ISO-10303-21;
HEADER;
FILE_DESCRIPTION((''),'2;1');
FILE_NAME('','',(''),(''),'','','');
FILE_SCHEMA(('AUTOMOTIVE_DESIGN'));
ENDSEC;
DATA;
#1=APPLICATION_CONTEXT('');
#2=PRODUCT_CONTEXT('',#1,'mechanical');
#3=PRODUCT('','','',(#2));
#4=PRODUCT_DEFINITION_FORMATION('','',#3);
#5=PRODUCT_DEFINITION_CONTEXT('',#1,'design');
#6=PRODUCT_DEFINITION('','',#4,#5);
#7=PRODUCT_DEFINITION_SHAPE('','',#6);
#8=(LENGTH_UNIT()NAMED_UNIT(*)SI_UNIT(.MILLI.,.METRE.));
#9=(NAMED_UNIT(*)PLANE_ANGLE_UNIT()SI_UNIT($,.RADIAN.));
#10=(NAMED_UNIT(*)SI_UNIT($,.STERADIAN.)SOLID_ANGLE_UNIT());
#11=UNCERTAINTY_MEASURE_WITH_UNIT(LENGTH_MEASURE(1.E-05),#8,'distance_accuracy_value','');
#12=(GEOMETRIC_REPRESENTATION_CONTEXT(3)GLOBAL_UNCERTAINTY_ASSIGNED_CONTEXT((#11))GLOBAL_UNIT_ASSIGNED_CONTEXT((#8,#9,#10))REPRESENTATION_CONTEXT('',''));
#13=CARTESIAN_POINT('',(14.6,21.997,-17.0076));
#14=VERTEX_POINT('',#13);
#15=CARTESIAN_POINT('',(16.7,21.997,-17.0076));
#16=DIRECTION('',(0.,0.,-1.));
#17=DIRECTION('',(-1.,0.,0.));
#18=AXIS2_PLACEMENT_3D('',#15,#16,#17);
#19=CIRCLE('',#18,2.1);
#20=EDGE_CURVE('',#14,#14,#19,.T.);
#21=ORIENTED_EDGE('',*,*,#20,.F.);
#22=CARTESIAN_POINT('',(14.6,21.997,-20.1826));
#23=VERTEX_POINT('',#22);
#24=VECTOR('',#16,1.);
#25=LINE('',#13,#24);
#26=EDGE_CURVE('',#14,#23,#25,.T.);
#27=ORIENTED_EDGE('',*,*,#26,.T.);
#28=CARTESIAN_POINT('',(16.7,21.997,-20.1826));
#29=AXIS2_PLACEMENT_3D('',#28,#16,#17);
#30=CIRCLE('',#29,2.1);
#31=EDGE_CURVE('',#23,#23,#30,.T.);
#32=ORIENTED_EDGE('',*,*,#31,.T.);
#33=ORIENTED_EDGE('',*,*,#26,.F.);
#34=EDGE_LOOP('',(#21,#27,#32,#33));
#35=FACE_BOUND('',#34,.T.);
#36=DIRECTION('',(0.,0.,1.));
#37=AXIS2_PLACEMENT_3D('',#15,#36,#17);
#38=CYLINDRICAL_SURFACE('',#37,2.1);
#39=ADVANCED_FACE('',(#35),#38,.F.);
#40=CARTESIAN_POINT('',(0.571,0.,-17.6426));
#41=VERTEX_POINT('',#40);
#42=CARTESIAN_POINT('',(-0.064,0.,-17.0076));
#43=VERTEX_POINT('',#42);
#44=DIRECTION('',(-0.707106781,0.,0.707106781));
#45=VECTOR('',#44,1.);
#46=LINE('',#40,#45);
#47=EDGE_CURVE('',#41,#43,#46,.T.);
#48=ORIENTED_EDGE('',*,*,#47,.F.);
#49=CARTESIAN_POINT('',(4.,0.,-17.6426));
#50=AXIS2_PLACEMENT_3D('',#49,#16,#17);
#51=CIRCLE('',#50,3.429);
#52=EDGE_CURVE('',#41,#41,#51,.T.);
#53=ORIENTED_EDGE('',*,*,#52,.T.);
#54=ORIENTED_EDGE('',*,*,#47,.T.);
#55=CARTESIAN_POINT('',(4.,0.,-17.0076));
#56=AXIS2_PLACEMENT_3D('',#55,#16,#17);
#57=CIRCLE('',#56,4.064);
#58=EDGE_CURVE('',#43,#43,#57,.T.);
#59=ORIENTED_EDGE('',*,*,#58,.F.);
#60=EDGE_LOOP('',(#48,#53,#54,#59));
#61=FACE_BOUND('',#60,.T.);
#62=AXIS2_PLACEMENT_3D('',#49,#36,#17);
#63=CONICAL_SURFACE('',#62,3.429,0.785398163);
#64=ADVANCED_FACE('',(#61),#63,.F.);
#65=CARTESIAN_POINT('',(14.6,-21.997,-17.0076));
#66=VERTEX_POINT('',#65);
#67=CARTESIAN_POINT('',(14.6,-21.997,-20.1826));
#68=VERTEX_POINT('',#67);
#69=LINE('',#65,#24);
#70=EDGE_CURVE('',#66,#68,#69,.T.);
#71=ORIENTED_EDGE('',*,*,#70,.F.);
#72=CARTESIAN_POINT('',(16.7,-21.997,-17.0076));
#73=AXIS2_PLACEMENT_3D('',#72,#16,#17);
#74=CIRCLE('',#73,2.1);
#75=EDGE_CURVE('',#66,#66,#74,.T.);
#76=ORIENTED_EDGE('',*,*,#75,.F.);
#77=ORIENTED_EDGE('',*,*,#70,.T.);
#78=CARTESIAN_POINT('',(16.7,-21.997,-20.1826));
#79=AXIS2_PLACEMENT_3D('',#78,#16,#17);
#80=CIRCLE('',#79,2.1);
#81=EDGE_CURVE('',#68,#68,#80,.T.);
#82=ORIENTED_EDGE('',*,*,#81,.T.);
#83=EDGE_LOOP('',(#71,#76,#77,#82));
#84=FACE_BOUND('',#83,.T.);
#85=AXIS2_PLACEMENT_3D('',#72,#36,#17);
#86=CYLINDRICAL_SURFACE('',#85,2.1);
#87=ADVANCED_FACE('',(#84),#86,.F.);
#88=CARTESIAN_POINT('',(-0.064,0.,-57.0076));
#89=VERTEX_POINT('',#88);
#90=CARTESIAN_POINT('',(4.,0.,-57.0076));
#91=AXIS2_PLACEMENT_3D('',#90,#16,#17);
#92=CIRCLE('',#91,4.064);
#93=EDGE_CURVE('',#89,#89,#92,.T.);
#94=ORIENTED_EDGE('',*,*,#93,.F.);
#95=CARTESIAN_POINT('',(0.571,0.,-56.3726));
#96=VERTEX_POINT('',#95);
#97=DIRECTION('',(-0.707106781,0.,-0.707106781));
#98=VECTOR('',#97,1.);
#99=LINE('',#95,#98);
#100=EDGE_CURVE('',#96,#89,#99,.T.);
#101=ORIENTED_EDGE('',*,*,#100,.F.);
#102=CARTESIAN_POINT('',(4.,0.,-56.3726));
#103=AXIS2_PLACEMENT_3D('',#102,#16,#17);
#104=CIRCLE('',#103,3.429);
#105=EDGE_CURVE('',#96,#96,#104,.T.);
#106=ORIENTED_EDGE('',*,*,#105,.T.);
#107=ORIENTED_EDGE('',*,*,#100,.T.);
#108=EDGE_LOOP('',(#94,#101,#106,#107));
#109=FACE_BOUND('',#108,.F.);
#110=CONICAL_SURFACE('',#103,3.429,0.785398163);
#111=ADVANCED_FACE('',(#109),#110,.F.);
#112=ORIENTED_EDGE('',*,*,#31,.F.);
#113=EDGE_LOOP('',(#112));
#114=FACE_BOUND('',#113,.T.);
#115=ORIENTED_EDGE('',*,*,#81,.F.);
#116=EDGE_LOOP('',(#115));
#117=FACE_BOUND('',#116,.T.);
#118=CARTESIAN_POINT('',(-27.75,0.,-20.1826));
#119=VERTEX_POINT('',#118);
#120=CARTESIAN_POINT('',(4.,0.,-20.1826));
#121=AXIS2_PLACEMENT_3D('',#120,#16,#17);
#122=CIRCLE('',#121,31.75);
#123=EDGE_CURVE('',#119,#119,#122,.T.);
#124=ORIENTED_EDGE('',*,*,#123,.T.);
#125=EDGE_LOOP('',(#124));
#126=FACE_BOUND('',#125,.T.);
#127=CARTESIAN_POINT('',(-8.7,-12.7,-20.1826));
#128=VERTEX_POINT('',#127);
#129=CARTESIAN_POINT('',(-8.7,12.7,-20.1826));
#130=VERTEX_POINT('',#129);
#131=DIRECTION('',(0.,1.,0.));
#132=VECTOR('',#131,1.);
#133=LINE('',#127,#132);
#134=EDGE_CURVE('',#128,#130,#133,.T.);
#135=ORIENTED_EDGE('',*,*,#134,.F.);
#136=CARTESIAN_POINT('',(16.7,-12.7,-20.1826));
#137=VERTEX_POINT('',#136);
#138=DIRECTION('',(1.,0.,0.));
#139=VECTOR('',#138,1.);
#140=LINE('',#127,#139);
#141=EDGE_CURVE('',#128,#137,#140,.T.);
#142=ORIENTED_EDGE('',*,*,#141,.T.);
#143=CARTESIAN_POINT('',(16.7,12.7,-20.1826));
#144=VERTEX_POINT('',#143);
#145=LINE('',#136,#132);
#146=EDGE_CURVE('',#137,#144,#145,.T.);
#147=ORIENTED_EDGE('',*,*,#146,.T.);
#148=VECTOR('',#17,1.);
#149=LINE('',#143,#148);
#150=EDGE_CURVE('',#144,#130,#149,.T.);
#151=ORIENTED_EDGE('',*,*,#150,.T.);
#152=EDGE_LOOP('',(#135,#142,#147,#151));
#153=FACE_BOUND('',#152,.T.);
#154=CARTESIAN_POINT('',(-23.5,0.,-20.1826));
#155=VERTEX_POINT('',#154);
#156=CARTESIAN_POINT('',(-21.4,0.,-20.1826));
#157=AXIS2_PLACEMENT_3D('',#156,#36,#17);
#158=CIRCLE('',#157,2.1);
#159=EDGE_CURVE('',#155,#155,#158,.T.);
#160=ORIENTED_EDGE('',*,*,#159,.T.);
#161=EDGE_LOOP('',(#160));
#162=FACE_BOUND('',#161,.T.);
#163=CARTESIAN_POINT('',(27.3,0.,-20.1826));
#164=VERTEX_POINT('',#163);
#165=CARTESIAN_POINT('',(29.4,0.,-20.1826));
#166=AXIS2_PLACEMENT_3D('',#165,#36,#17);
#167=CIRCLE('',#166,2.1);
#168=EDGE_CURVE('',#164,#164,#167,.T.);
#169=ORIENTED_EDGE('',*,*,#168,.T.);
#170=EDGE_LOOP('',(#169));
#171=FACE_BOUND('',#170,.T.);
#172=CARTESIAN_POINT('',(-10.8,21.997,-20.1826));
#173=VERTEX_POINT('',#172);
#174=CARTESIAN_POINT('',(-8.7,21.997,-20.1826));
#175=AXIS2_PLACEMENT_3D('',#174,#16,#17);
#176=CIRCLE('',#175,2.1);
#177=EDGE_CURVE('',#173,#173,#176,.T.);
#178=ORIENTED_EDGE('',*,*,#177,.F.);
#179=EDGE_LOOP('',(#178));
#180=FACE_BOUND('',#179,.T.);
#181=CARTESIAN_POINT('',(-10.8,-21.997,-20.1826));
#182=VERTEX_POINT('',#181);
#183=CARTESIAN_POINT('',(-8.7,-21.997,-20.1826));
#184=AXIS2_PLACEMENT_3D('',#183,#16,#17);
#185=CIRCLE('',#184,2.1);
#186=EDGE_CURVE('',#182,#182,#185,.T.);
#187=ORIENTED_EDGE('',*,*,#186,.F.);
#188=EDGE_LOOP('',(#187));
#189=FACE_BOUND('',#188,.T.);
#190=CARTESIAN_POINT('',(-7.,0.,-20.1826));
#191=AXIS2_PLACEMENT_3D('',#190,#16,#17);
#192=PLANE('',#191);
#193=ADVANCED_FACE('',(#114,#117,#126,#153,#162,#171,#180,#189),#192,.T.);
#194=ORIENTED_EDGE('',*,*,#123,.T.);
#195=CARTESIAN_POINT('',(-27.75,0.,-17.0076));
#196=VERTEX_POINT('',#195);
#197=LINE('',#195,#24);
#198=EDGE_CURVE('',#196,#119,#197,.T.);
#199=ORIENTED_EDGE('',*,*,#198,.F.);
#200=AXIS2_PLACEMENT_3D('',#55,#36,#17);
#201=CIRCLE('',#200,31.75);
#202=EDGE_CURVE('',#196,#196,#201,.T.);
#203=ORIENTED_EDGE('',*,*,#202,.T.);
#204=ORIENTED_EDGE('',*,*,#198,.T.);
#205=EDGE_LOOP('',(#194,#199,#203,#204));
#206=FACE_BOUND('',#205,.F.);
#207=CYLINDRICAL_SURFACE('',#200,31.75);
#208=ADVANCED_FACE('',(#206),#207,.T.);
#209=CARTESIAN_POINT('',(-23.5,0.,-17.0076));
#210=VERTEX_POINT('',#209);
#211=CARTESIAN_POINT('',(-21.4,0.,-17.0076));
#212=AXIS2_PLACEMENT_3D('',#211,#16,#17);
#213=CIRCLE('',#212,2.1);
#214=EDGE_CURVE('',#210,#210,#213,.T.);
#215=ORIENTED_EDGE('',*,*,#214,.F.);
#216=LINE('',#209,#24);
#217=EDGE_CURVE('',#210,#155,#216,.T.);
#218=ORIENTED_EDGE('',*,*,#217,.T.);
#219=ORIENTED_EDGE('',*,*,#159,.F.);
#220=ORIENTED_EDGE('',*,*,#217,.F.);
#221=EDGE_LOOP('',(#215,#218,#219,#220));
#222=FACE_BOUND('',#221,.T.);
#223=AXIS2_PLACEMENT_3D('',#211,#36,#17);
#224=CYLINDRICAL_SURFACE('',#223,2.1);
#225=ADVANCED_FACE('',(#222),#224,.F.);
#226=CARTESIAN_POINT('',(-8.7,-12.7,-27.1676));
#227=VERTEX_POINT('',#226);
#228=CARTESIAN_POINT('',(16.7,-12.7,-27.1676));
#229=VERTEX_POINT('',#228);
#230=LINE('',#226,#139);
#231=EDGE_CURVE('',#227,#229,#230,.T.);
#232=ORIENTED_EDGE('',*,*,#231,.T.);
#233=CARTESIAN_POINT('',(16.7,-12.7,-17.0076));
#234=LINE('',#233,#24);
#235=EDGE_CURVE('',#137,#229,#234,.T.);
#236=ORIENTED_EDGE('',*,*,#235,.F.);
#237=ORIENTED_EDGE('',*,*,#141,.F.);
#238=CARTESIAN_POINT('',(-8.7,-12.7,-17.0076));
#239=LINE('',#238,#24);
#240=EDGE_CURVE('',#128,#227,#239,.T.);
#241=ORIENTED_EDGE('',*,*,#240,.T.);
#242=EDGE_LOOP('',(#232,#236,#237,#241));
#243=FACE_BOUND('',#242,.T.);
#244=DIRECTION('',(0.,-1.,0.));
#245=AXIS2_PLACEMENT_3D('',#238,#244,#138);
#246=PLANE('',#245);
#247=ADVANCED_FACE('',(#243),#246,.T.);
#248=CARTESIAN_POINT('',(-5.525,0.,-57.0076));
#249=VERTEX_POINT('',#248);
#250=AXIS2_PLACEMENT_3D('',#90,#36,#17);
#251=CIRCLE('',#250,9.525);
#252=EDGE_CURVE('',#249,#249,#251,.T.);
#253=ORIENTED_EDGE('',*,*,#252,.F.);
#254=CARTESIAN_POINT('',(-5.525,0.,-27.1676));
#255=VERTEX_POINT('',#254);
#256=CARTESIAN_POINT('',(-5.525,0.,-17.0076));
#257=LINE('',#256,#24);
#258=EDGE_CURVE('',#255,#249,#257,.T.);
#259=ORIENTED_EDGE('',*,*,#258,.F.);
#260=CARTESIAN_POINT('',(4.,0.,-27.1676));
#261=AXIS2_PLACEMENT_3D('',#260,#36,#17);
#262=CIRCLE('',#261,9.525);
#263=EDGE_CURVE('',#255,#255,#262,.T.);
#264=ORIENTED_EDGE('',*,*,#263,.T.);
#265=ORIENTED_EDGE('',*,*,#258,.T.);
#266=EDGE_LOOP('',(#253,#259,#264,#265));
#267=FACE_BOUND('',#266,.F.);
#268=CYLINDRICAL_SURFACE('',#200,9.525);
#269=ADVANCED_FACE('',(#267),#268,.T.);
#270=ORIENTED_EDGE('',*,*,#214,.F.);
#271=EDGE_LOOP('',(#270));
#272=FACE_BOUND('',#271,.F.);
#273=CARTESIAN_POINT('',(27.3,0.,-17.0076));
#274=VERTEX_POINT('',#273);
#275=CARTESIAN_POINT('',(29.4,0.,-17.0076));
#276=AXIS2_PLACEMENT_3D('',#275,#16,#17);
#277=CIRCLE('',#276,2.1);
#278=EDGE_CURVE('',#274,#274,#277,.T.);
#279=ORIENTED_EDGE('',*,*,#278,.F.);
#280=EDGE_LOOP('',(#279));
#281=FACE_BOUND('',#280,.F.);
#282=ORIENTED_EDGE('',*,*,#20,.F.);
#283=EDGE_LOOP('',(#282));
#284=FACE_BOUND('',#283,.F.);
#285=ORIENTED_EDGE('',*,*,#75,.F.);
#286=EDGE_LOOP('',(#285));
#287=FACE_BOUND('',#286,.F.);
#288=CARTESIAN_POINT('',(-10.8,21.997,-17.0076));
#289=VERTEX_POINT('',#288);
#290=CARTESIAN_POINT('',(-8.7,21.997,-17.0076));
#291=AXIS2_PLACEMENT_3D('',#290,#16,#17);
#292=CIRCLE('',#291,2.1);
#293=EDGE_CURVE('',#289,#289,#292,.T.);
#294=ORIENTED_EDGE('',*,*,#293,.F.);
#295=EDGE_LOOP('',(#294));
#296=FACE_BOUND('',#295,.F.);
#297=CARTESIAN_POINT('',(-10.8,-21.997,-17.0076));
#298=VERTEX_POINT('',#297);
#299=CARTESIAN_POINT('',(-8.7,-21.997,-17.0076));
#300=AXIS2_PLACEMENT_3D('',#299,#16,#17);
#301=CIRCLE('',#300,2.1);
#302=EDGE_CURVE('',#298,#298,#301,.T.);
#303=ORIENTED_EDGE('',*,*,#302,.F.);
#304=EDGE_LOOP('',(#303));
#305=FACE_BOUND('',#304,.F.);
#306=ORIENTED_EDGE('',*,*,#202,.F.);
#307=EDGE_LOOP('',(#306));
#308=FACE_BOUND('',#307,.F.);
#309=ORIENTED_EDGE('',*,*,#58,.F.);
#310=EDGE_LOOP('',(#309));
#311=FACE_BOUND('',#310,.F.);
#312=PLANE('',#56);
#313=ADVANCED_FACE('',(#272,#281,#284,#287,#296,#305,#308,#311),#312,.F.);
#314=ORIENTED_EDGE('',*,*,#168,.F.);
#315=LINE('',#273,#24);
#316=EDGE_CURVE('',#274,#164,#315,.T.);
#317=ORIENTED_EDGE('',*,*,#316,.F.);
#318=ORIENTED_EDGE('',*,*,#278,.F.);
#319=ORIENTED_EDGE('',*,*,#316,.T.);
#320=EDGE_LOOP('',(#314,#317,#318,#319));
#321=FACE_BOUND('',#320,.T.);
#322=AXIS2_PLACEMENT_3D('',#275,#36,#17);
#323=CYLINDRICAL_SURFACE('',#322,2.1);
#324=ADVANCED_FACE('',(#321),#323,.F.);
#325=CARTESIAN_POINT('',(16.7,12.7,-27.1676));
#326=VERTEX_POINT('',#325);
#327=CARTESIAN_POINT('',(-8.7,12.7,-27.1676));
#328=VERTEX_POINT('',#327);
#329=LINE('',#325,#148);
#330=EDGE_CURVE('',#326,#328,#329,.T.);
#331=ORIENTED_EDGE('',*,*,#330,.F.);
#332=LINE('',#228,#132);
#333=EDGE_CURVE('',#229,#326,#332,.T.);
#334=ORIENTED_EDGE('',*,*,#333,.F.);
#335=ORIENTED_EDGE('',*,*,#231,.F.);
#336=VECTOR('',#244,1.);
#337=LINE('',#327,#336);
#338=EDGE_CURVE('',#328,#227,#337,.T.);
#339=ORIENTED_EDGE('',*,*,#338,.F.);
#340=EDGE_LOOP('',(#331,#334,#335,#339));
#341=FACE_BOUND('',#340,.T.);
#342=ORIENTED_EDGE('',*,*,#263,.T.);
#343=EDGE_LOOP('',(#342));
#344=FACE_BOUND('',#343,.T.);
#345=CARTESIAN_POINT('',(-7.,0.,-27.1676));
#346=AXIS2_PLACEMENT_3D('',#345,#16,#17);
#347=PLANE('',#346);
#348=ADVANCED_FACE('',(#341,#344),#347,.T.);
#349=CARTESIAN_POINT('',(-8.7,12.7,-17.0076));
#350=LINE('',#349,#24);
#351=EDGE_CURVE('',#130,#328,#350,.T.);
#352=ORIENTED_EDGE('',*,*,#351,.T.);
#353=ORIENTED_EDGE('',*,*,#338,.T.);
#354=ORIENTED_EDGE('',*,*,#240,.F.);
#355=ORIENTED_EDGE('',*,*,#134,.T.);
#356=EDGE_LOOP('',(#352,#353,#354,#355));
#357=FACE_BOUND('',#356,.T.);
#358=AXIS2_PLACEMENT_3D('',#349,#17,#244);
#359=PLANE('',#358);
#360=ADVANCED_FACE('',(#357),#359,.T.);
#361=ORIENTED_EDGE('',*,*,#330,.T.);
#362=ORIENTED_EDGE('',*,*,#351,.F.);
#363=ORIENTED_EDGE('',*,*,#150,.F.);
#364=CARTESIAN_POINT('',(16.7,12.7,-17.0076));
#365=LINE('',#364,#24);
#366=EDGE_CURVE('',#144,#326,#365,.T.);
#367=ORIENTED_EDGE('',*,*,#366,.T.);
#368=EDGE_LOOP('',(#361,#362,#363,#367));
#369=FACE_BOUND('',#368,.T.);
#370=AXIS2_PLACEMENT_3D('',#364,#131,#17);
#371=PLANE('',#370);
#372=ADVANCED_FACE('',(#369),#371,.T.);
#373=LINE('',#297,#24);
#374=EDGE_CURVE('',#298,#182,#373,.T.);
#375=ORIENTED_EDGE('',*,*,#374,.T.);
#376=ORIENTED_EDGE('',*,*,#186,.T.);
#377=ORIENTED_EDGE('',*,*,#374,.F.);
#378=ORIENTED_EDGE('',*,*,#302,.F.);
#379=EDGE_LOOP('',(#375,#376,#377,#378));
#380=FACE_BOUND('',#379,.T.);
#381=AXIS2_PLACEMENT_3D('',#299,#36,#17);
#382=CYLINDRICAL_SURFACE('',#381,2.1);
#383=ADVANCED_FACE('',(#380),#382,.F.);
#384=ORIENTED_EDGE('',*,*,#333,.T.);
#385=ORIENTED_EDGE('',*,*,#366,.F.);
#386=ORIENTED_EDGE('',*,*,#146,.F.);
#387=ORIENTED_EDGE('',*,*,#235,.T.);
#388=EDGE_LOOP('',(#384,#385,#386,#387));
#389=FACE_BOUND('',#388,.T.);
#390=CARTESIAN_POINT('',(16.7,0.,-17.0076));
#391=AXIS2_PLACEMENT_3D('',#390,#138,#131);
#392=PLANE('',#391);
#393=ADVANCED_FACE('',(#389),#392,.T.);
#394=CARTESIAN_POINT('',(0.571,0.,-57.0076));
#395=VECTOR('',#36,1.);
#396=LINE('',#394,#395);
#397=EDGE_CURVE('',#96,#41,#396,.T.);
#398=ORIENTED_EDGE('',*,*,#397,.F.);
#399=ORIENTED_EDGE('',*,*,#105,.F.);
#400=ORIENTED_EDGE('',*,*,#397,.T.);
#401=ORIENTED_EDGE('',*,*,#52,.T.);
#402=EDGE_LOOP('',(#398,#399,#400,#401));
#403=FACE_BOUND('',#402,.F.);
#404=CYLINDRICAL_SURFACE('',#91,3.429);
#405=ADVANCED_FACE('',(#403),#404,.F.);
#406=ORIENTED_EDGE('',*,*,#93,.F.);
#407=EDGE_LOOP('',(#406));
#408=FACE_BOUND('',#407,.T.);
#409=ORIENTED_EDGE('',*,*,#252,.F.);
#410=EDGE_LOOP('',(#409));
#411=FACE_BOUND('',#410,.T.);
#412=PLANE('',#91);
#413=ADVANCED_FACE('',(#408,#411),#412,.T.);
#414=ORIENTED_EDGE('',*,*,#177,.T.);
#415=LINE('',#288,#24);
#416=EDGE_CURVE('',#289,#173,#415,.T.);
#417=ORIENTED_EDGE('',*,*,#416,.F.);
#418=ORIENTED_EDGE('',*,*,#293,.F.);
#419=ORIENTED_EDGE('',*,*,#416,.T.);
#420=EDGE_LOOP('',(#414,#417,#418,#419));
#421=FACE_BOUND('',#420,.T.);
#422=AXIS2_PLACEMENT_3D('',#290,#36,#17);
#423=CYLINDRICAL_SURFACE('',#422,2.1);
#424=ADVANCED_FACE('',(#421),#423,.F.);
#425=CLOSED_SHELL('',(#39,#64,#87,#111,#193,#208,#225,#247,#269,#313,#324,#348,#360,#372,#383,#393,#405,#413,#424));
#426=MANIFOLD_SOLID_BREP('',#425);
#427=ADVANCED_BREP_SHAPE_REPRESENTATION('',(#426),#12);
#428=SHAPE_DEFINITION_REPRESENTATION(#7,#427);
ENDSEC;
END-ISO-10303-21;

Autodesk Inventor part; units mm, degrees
ref_plane "YZ Plane" through (0, 0, 0) normal (1, 0, 0) x (0, 1, 0)
ref_plane "XZ Plane" through (0, 0, 0) normal (0, 1, 0) x (-1, 0, 0)
sketch "Sketch1" plane through (0, 0, 0) normal (0, 0, 1) x (1, 0, 0)
  circle A0 centre (4, 0) radius 4 projected
  circle A1 centre (4, 0) radius 3.175 projected
  circle A2 centre (4, 0) radius 3.9492
  circle A3 centre (4, 0) radius 3.2512
  point P0 (0, 0)
  dimension "d0" = 0.0508
  dimension "d1" = 0.0762
extrude "Extrusion1" add sketch "Sketch1" along normal blind 15 and the other way blind 129 contours A2
ref_plane "Work Plane1" through (15, 0, -97.0076) normal (0, 0, 1) x (1, 0, 0)
sketch "Sketch2" plane through (-7, 0, -17.0076) normal (0, 0, -1) x (-1, 0, 0)
  circle A0 centre (-11, 0) radius 3.9492 projected
  line L0 (-11, 0) -> (126.5, 0)
  line L1 (-11, 0) -> (-561, 0)
  circle A1 centre (-561, 0) radius 12.7
  circle A2 centre (-11, 0) radius 31.75
  line L2 (35.9, 0) -> (-573.7, 0)
  circle A3 centre (-36.4, 0) radius 2.1
  circle A4 centre (-23.7, -21.997) radius 2.1
  circle A5 centre (1.7, -21.997) radius 2.1
  circle A6 centre (14.4, 0) radius 2.1
  circle A7 centre (1.7, 21.997) radius 2.1
  circle A8 centre (-23.7, 21.997) radius 2.1
  line L3 (1.7, -12.7) -> (-23.7, -12.7)
  line L4 (-23.7, -12.7) -> (-23.7, 12.7)
  line L5 (-23.7, 12.7) -> (1.7, 12.7)
  line L6 (1.7, 12.7) -> (1.7, -12.7)
  line L7 (1.7, -12.7) -> (-23.7, 12.7) construction
  line L8 (-23.7, -12.7) -> (1.7, 12.7) construction
  circle A9 centre (-11, 0) radius 9.525
  point P0 (-7, 0)
  dimension "d8" = 25.4
  dimension "d6" = 137.5
  dimension "d7" = 550
  dimension "d9" = 63.5
  dimension "d10" = 609.6
  dimension "d11" = 4.2
  dimension "d12" = 25.4
  dimension "d15" = 360
  dimension "d17" = 25.4
  dimension "d18" = 25.4
  dimension "d19" = 19.05
extrude "Extrusion2" add sketch "Sketch2" along normal blind 40 contours L0 L1 A0 | L0 A9 L1 A0 | A0 L1 L0 | A0 L1 A9 L0
extrude "Extrusion3" add sketch "Sketch2" along normal blind 10.16 contours L0 L1 A0 | L0 A9 L1 A0 | A0 L1 L0 | A0 L1 A9 L0 | A9 L1 L4 L5 L6 L0 | L0 L6 L3 L4 L1 A9
extrude "Extrusion4" add sketch "Sketch2" along normal blind 3.175 contours L6 L5 L4 L1 A3 A2 L0 A6 | L0 A6 A2 L1 A3 L4 L3 L6
sketch "Sketch3" plane through (4, 0, 15) normal (0, 0, 1) x (1, 0, 0)
  circle A0 centre (0, 0) radius 3.9492 projected
  circle A1 centre (0, 0) radius 4.0762
  point P0 (-4, 0)
  dimension "d29" = 0.127
extrude "Extrusion5" cut sketch "Sketch3" against normal through all contours A0 | A1
sketch "Sketch4" plane through (4, 0, -57.0076) normal (0, 0, -1) x (-1, 0, 0)
  circle A0 centre (0, 0) radius 3.175 projected
  circle A1 centre (0, 0) radius 3.429
  circle A2 centre (0, 0) radius 4.0762 projected
  point P0 (4, 0)
  dimension "d32" = 0.254
extrude "Extrusion6" add sketch "Sketch4" against normal blind 40 contours A2
chamfer "Chamfer2" distance 0.635 angle 45 2 edges at (7.429, 0, -17.0076) (7.429, 0, -57.0076)
properties part number "ArmPivot2" material "PET Plastic"
